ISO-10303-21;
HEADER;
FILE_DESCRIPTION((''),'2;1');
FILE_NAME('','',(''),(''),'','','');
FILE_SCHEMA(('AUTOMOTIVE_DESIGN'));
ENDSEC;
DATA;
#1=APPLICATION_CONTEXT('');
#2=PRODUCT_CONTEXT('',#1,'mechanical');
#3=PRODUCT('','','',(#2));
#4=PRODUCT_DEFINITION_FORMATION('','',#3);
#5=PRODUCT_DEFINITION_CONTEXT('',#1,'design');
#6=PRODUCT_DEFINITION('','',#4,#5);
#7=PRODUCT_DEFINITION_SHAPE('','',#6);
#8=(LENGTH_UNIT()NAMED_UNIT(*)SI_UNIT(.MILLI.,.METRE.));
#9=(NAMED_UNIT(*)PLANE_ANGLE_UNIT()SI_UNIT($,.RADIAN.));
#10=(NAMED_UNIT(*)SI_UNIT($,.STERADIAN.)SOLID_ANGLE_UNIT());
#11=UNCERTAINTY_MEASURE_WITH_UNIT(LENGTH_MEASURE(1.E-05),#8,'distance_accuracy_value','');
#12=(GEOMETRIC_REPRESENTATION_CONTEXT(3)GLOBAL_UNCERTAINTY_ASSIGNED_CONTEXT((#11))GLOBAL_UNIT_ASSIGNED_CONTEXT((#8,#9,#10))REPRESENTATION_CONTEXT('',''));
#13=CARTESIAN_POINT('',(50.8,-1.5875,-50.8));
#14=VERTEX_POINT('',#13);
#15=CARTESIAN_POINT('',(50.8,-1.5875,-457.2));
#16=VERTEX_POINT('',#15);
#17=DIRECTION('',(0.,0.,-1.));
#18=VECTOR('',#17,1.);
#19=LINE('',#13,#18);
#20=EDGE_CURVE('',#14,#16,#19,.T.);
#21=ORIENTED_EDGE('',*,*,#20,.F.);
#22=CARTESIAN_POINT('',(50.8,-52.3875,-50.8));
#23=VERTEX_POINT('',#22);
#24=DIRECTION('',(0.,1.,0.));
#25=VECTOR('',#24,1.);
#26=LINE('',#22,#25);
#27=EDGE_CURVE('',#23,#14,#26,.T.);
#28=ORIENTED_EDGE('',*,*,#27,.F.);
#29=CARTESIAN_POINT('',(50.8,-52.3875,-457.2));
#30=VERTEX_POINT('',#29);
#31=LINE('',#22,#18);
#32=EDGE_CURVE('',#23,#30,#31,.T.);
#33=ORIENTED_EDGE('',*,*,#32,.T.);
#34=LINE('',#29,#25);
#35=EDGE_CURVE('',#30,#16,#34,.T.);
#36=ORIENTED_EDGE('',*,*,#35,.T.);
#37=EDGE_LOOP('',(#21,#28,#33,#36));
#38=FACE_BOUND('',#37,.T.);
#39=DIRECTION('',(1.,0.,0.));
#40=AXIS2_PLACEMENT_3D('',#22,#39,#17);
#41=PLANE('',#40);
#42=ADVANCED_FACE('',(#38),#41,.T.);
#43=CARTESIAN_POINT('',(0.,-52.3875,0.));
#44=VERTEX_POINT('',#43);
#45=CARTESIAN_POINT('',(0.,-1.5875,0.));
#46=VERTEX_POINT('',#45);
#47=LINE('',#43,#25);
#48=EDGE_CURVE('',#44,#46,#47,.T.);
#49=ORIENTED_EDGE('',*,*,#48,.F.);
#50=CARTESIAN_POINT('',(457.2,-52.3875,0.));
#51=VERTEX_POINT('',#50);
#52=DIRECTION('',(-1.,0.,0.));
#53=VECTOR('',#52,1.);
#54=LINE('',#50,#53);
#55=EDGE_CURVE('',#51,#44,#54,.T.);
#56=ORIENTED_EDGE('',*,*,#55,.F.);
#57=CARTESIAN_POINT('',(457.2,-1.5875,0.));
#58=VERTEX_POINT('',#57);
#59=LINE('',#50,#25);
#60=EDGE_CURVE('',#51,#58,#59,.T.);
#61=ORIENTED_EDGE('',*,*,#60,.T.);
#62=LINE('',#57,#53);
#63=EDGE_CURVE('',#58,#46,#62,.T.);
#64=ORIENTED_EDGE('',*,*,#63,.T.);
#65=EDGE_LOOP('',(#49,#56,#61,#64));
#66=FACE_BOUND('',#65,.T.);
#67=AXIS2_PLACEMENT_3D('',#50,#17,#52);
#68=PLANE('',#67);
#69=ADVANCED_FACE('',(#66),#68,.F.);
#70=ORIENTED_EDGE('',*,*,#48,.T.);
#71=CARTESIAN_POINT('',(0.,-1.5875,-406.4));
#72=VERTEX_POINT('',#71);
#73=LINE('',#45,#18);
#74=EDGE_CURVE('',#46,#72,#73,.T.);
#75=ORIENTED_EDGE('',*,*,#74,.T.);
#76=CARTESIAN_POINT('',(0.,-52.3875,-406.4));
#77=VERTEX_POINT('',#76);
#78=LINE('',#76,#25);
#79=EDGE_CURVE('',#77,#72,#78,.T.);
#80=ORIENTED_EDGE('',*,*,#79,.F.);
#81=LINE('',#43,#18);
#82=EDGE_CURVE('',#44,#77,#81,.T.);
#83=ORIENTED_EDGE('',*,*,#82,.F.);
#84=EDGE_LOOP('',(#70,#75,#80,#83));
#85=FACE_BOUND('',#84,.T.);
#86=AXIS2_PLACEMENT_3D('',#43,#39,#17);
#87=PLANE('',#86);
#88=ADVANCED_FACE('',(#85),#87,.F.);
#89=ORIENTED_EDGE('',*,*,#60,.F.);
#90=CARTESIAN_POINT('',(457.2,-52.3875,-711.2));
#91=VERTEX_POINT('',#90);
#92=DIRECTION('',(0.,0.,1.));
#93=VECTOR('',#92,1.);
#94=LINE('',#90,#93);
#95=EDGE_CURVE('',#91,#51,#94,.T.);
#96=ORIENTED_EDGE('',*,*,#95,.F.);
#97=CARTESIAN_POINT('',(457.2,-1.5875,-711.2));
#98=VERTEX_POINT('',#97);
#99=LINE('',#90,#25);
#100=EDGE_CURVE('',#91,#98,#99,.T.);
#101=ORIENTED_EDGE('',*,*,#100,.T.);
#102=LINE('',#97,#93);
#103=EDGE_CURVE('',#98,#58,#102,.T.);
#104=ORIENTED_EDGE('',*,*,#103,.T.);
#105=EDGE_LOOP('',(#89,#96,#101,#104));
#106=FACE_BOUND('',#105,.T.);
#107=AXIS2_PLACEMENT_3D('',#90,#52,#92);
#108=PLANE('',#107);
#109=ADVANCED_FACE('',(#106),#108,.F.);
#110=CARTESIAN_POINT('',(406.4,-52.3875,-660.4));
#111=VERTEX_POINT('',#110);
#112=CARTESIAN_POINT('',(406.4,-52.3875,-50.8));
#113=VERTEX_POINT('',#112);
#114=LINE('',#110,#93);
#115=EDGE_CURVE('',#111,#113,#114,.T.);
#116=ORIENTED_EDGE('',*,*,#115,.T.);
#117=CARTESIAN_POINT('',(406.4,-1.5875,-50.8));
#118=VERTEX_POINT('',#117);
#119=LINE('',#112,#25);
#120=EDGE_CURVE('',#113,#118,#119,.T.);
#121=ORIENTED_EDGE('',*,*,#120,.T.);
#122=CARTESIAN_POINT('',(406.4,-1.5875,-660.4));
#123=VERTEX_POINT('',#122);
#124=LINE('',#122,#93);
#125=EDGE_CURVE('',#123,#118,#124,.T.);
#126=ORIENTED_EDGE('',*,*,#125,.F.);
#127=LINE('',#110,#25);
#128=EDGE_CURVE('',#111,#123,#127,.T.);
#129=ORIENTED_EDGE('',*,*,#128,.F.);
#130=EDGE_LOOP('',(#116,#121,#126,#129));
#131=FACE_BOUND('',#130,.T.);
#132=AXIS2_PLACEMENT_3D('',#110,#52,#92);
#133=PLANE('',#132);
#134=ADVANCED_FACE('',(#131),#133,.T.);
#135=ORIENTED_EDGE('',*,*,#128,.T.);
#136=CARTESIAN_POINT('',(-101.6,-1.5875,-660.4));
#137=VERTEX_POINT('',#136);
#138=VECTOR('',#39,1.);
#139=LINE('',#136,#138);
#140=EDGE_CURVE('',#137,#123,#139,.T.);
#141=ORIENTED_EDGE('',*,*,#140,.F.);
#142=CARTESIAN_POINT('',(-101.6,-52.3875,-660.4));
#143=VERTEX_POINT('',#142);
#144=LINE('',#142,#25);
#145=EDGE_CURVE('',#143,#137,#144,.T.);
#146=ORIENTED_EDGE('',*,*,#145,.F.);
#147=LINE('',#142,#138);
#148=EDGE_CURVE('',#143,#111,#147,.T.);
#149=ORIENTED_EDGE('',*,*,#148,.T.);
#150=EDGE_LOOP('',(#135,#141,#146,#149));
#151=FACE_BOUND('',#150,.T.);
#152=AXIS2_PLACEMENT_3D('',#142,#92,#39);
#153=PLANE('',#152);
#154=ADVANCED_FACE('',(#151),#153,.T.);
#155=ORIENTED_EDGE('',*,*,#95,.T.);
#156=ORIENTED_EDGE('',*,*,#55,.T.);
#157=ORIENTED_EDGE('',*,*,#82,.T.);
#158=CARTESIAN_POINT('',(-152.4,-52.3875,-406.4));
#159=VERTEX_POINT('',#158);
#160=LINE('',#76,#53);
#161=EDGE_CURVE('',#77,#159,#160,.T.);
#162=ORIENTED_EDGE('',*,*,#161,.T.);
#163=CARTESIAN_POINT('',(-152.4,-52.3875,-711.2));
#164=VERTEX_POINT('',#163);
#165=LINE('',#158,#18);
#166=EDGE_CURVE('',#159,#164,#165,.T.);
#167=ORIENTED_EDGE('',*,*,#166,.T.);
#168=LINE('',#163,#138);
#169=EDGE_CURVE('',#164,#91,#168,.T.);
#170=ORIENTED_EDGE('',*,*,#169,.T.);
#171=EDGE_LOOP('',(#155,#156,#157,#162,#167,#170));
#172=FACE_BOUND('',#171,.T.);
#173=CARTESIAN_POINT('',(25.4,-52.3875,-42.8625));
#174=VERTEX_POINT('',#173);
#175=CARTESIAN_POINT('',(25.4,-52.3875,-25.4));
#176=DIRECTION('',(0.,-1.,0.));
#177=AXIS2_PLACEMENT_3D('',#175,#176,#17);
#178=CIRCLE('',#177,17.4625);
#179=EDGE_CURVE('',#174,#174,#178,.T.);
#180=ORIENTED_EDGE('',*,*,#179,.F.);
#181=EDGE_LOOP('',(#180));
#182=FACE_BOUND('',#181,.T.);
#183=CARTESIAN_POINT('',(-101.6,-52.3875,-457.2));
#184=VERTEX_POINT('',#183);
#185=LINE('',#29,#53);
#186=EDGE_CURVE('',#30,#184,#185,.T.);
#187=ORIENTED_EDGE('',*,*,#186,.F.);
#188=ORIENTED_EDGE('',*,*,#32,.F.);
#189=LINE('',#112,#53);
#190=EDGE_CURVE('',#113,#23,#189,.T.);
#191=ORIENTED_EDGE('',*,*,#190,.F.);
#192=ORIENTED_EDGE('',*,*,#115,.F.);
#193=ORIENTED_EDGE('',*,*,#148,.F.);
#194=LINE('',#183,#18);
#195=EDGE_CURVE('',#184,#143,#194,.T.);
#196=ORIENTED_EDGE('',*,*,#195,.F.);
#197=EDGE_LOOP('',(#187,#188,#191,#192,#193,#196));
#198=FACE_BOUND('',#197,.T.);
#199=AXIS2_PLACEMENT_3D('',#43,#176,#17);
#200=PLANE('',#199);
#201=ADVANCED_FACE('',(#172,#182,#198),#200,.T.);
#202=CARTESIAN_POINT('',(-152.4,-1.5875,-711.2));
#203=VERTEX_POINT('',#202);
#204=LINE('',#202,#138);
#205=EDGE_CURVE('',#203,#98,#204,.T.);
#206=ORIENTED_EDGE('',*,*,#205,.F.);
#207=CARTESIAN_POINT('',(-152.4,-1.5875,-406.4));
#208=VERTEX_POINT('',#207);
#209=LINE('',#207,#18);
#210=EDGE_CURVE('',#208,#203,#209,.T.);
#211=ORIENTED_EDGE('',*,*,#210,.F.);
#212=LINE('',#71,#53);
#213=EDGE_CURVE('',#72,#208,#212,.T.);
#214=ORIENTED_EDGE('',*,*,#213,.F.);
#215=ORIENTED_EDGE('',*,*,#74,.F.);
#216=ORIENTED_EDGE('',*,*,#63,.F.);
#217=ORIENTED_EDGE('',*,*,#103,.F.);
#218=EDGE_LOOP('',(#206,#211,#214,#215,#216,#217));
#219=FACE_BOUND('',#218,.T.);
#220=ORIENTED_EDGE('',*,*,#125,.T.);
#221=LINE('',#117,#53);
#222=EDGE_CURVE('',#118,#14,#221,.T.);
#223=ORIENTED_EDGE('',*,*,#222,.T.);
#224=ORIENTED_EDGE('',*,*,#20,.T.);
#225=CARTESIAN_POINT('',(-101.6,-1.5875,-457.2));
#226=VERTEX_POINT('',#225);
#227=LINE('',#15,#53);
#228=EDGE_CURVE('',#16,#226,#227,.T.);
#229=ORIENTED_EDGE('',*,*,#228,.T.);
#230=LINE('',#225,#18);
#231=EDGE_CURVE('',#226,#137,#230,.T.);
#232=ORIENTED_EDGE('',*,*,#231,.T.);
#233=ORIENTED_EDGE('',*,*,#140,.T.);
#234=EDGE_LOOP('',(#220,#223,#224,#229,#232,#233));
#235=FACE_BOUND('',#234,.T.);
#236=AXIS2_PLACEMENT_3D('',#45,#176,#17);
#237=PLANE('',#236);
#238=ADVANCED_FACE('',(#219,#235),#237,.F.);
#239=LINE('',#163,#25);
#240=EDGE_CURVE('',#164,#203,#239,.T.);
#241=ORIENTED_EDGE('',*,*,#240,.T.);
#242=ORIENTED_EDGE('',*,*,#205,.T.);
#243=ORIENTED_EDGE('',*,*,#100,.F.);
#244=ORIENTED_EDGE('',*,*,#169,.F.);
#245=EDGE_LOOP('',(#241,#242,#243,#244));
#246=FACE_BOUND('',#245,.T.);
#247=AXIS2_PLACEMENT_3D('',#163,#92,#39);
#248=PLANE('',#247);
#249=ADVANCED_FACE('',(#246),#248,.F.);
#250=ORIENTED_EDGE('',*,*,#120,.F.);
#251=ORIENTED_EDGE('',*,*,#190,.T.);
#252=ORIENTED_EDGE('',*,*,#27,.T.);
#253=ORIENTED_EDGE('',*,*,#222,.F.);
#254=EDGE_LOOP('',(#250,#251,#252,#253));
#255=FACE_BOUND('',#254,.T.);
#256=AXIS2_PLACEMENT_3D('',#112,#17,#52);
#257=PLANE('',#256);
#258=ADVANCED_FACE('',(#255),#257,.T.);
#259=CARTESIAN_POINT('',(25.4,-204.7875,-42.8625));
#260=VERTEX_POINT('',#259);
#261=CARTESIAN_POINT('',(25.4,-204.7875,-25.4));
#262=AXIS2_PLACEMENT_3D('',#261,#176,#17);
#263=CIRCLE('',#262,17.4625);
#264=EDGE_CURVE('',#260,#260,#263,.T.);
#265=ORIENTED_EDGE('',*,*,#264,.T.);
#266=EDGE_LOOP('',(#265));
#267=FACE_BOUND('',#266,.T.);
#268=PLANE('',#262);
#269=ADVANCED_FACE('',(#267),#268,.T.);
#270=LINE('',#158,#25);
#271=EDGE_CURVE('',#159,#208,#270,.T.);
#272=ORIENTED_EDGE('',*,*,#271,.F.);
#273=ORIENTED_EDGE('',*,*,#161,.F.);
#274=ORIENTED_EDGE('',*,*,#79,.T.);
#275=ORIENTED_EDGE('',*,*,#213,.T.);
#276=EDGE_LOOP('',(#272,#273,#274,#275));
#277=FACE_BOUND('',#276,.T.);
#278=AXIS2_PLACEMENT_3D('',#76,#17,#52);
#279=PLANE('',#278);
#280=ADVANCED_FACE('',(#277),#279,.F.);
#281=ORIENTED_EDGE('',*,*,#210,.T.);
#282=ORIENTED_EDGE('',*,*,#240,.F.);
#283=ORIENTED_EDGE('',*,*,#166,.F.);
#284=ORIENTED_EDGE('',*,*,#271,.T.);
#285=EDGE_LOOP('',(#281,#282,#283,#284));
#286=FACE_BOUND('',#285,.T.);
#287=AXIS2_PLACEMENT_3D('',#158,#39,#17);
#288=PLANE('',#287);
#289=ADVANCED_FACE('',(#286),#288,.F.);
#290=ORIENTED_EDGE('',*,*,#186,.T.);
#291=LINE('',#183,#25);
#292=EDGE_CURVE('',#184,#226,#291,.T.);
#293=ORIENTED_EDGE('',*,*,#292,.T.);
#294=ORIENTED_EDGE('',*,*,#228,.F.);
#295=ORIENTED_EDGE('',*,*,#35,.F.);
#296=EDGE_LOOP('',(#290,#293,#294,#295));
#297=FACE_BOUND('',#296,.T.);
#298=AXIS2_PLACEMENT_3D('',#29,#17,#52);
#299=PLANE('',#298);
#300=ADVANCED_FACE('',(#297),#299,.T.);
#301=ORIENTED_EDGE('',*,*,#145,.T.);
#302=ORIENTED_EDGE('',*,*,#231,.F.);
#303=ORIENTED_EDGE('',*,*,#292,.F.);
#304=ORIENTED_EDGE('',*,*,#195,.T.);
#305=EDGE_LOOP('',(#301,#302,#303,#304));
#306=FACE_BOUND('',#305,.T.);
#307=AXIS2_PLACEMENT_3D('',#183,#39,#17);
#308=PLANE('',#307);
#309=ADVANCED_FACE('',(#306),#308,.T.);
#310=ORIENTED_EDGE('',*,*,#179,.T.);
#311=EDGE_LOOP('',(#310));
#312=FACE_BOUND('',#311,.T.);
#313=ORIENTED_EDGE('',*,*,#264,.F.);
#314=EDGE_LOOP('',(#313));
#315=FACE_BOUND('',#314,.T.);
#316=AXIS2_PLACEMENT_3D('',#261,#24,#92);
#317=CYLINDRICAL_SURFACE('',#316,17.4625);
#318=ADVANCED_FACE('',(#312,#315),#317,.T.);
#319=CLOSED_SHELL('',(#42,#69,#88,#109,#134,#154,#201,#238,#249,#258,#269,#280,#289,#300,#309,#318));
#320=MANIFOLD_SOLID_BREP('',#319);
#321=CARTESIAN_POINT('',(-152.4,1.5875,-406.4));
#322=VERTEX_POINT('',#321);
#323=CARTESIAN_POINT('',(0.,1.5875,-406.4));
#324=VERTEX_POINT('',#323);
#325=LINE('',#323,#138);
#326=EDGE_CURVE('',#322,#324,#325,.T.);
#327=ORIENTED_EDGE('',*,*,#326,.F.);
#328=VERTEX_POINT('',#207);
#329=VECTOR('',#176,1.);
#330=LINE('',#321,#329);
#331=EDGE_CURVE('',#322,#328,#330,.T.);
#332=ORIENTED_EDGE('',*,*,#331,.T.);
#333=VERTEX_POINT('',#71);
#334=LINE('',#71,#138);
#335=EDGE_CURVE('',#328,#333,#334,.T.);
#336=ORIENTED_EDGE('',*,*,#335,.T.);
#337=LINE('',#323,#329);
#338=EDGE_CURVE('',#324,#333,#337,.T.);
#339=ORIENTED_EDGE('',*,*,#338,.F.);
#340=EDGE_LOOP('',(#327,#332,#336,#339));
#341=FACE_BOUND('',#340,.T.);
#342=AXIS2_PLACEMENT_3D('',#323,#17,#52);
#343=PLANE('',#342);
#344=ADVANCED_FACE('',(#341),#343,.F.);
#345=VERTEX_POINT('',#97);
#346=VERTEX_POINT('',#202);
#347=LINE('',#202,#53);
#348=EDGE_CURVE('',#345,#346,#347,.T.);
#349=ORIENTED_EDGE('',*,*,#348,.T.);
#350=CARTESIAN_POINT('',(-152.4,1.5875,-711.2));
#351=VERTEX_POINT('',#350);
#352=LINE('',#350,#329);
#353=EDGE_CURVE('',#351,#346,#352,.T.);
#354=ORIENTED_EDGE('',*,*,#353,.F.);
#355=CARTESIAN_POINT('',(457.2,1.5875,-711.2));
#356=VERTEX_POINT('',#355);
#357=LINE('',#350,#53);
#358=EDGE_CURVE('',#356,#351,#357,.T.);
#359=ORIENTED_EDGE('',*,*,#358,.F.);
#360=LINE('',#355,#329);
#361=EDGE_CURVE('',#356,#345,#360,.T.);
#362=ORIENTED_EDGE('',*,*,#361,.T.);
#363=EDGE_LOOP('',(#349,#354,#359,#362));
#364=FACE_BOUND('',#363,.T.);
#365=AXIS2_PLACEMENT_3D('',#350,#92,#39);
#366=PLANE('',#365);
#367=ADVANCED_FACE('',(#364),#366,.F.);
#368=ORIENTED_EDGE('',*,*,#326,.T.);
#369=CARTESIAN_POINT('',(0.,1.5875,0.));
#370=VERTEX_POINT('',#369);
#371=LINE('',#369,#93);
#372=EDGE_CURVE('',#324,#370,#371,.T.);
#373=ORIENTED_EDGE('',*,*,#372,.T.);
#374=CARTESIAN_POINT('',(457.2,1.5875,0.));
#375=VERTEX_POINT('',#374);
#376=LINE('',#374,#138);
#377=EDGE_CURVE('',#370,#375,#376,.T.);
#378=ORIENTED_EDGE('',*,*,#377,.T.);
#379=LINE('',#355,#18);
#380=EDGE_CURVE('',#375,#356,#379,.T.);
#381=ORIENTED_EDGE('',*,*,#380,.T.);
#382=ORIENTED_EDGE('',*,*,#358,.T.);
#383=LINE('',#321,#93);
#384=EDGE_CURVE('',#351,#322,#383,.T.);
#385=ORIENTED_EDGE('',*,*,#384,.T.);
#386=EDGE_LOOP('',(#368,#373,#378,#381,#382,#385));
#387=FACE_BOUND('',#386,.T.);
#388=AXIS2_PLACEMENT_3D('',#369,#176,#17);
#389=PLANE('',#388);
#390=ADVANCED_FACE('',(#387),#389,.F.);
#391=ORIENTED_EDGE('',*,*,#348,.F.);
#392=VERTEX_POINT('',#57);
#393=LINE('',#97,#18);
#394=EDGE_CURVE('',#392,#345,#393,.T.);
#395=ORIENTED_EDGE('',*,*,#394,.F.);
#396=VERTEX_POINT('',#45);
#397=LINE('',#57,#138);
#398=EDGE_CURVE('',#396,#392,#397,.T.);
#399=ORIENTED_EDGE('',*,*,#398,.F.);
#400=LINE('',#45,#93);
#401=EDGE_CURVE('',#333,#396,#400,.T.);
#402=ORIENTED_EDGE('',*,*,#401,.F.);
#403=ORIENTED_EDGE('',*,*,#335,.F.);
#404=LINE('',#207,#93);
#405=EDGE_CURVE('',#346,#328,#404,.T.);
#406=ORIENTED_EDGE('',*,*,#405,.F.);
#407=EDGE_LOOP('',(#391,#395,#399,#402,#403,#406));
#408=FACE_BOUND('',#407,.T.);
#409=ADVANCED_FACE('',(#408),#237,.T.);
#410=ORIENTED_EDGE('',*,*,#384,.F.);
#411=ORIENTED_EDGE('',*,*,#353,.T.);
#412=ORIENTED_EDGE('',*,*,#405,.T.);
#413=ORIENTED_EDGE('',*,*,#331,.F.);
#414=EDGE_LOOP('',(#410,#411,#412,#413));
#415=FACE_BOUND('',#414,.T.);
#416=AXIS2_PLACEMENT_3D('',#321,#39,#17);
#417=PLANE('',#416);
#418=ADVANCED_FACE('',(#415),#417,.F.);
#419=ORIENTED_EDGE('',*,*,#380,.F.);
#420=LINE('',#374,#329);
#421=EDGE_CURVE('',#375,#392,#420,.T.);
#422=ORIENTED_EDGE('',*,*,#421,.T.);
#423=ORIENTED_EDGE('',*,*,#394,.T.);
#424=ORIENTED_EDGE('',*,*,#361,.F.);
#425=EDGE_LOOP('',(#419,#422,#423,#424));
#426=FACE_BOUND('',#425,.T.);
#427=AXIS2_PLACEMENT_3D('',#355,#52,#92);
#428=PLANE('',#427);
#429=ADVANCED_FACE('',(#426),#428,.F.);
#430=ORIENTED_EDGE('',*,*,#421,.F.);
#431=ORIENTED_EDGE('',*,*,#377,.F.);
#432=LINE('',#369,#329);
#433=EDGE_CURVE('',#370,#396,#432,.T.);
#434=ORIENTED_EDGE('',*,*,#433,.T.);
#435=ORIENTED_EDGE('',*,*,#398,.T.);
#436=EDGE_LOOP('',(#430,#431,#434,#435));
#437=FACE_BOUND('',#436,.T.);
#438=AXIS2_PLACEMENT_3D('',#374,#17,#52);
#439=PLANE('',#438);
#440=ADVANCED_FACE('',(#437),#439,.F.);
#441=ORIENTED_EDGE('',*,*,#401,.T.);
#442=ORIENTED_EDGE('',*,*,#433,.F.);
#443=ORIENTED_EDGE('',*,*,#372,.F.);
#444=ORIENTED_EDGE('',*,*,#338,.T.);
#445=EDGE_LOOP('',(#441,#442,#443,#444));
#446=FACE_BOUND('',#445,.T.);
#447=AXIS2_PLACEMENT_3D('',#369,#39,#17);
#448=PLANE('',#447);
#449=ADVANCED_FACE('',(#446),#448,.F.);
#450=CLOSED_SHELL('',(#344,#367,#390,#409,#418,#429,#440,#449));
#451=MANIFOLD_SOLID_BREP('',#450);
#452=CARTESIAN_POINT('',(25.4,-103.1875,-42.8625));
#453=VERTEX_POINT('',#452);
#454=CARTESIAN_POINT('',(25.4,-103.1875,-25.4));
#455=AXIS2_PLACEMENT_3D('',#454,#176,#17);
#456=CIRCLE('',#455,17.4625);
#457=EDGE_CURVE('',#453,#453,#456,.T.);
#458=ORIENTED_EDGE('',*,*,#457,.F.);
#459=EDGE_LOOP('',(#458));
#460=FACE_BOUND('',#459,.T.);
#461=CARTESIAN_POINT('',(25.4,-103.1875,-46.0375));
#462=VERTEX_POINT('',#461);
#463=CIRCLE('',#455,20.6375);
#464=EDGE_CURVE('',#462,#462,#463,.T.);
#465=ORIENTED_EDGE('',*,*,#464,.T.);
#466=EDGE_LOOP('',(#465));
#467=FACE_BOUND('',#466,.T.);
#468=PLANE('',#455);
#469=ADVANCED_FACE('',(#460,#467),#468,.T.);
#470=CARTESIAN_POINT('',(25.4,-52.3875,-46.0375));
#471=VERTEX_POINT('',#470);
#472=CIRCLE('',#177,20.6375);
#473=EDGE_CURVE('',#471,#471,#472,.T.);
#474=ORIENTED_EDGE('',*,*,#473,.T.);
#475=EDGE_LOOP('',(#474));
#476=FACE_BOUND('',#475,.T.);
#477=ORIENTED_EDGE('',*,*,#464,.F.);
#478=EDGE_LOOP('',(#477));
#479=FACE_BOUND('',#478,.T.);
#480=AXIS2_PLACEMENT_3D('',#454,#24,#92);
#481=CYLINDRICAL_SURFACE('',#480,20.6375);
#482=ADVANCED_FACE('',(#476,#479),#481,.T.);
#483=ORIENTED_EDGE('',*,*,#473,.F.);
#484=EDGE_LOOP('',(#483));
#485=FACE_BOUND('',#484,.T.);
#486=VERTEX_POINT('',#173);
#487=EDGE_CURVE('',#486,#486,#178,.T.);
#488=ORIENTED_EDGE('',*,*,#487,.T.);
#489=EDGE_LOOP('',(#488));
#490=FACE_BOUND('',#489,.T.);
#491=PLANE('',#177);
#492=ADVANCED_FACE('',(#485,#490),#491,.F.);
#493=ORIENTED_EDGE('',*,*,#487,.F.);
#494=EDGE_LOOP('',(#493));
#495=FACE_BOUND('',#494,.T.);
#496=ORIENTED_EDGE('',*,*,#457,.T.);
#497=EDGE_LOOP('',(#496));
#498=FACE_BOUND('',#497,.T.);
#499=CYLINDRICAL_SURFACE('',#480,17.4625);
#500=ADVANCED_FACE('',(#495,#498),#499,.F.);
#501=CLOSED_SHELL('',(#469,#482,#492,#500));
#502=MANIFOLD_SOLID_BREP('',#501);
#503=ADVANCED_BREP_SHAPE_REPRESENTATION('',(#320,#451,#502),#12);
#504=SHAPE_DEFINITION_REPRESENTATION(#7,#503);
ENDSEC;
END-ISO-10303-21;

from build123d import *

# Parameters (mm, degrees)
BOSS_EXTRUDE1_DEPTH = 1.5875
BOSS_EXTRUDE2_DEPTH = 50.8
SKETCH3_R           = 17.4625
BOSS_EXTRUDE3_DEPTH = 152.4
SKETCH4_R           = 20.6375
SKETCH4_R_2         = 17.4625
BOSS_EXTRUDE4_DEPTH = 50.8


with BuildPart() as part:
    # Sketch1 → Boss-Extrude1 (new body, symmetric)
    with BuildSketch(Plane(origin=(0, 0, 0), x_dir=(1, 0, 0), z_dir=(0, 1, 0))):
        Polygon((0, 0), (0, 406.4), (-152.4, 406.4), (-152.4, 711.2), (457.2, 711.2), (457.2, 0), align=None)
    extrude(amount=BOSS_EXTRUDE1_DEPTH, both=True)


with BuildPart() as body_2:
    # Sketch2 → Boss-Extrude2 (new body)
    with BuildSketch(Plane.XZ.offset(1.5875)):
        Polygon((457.2, 0), (0, 0), (0, -406.4), (-152.4, -406.4), (-152.4, -711.2), (457.2, -711.2), align=None)
        Polygon((406.4, -50.8), (50.8, -50.8), (50.8, -457.2), (-101.6, -457.2), (-101.6, -660.4), (406.4, -660.4), align=None, mode=Mode.SUBTRACT)
    extrude(amount=BOSS_EXTRUDE2_DEPTH)

    # Sketch3 → Boss-Extrude3 (add)
    with BuildSketch(Plane.XZ.offset(52.3875)):
        with Locations(Location((25.4, -25.4, 0), (0, 0, 270))):  # turned: the seam where the file's is
            Circle(SKETCH3_R)
    extrude(amount=BOSS_EXTRUDE3_DEPTH)


with BuildPart() as body_3:
    # Sketch4 → Boss-Extrude4 (new body)
    with BuildSketch(Plane.XZ.offset(52.3875)):
        with Locations(Location((25.4, -25.4, 0), (0, 0, 270))):  # turned: the seam where the file's is
            Circle(SKETCH4_R)
        with Locations(Location((25.4, -25.4, 0), (0, 0, 270))):  # turned: the seam where the file's is
            Circle(SKETCH4_R_2, mode=Mode.SUBTRACT)
    extrude(amount=BOSS_EXTRUDE4_DEPTH)


solid = Compound([part.part, body_2.part, body_3.part])
